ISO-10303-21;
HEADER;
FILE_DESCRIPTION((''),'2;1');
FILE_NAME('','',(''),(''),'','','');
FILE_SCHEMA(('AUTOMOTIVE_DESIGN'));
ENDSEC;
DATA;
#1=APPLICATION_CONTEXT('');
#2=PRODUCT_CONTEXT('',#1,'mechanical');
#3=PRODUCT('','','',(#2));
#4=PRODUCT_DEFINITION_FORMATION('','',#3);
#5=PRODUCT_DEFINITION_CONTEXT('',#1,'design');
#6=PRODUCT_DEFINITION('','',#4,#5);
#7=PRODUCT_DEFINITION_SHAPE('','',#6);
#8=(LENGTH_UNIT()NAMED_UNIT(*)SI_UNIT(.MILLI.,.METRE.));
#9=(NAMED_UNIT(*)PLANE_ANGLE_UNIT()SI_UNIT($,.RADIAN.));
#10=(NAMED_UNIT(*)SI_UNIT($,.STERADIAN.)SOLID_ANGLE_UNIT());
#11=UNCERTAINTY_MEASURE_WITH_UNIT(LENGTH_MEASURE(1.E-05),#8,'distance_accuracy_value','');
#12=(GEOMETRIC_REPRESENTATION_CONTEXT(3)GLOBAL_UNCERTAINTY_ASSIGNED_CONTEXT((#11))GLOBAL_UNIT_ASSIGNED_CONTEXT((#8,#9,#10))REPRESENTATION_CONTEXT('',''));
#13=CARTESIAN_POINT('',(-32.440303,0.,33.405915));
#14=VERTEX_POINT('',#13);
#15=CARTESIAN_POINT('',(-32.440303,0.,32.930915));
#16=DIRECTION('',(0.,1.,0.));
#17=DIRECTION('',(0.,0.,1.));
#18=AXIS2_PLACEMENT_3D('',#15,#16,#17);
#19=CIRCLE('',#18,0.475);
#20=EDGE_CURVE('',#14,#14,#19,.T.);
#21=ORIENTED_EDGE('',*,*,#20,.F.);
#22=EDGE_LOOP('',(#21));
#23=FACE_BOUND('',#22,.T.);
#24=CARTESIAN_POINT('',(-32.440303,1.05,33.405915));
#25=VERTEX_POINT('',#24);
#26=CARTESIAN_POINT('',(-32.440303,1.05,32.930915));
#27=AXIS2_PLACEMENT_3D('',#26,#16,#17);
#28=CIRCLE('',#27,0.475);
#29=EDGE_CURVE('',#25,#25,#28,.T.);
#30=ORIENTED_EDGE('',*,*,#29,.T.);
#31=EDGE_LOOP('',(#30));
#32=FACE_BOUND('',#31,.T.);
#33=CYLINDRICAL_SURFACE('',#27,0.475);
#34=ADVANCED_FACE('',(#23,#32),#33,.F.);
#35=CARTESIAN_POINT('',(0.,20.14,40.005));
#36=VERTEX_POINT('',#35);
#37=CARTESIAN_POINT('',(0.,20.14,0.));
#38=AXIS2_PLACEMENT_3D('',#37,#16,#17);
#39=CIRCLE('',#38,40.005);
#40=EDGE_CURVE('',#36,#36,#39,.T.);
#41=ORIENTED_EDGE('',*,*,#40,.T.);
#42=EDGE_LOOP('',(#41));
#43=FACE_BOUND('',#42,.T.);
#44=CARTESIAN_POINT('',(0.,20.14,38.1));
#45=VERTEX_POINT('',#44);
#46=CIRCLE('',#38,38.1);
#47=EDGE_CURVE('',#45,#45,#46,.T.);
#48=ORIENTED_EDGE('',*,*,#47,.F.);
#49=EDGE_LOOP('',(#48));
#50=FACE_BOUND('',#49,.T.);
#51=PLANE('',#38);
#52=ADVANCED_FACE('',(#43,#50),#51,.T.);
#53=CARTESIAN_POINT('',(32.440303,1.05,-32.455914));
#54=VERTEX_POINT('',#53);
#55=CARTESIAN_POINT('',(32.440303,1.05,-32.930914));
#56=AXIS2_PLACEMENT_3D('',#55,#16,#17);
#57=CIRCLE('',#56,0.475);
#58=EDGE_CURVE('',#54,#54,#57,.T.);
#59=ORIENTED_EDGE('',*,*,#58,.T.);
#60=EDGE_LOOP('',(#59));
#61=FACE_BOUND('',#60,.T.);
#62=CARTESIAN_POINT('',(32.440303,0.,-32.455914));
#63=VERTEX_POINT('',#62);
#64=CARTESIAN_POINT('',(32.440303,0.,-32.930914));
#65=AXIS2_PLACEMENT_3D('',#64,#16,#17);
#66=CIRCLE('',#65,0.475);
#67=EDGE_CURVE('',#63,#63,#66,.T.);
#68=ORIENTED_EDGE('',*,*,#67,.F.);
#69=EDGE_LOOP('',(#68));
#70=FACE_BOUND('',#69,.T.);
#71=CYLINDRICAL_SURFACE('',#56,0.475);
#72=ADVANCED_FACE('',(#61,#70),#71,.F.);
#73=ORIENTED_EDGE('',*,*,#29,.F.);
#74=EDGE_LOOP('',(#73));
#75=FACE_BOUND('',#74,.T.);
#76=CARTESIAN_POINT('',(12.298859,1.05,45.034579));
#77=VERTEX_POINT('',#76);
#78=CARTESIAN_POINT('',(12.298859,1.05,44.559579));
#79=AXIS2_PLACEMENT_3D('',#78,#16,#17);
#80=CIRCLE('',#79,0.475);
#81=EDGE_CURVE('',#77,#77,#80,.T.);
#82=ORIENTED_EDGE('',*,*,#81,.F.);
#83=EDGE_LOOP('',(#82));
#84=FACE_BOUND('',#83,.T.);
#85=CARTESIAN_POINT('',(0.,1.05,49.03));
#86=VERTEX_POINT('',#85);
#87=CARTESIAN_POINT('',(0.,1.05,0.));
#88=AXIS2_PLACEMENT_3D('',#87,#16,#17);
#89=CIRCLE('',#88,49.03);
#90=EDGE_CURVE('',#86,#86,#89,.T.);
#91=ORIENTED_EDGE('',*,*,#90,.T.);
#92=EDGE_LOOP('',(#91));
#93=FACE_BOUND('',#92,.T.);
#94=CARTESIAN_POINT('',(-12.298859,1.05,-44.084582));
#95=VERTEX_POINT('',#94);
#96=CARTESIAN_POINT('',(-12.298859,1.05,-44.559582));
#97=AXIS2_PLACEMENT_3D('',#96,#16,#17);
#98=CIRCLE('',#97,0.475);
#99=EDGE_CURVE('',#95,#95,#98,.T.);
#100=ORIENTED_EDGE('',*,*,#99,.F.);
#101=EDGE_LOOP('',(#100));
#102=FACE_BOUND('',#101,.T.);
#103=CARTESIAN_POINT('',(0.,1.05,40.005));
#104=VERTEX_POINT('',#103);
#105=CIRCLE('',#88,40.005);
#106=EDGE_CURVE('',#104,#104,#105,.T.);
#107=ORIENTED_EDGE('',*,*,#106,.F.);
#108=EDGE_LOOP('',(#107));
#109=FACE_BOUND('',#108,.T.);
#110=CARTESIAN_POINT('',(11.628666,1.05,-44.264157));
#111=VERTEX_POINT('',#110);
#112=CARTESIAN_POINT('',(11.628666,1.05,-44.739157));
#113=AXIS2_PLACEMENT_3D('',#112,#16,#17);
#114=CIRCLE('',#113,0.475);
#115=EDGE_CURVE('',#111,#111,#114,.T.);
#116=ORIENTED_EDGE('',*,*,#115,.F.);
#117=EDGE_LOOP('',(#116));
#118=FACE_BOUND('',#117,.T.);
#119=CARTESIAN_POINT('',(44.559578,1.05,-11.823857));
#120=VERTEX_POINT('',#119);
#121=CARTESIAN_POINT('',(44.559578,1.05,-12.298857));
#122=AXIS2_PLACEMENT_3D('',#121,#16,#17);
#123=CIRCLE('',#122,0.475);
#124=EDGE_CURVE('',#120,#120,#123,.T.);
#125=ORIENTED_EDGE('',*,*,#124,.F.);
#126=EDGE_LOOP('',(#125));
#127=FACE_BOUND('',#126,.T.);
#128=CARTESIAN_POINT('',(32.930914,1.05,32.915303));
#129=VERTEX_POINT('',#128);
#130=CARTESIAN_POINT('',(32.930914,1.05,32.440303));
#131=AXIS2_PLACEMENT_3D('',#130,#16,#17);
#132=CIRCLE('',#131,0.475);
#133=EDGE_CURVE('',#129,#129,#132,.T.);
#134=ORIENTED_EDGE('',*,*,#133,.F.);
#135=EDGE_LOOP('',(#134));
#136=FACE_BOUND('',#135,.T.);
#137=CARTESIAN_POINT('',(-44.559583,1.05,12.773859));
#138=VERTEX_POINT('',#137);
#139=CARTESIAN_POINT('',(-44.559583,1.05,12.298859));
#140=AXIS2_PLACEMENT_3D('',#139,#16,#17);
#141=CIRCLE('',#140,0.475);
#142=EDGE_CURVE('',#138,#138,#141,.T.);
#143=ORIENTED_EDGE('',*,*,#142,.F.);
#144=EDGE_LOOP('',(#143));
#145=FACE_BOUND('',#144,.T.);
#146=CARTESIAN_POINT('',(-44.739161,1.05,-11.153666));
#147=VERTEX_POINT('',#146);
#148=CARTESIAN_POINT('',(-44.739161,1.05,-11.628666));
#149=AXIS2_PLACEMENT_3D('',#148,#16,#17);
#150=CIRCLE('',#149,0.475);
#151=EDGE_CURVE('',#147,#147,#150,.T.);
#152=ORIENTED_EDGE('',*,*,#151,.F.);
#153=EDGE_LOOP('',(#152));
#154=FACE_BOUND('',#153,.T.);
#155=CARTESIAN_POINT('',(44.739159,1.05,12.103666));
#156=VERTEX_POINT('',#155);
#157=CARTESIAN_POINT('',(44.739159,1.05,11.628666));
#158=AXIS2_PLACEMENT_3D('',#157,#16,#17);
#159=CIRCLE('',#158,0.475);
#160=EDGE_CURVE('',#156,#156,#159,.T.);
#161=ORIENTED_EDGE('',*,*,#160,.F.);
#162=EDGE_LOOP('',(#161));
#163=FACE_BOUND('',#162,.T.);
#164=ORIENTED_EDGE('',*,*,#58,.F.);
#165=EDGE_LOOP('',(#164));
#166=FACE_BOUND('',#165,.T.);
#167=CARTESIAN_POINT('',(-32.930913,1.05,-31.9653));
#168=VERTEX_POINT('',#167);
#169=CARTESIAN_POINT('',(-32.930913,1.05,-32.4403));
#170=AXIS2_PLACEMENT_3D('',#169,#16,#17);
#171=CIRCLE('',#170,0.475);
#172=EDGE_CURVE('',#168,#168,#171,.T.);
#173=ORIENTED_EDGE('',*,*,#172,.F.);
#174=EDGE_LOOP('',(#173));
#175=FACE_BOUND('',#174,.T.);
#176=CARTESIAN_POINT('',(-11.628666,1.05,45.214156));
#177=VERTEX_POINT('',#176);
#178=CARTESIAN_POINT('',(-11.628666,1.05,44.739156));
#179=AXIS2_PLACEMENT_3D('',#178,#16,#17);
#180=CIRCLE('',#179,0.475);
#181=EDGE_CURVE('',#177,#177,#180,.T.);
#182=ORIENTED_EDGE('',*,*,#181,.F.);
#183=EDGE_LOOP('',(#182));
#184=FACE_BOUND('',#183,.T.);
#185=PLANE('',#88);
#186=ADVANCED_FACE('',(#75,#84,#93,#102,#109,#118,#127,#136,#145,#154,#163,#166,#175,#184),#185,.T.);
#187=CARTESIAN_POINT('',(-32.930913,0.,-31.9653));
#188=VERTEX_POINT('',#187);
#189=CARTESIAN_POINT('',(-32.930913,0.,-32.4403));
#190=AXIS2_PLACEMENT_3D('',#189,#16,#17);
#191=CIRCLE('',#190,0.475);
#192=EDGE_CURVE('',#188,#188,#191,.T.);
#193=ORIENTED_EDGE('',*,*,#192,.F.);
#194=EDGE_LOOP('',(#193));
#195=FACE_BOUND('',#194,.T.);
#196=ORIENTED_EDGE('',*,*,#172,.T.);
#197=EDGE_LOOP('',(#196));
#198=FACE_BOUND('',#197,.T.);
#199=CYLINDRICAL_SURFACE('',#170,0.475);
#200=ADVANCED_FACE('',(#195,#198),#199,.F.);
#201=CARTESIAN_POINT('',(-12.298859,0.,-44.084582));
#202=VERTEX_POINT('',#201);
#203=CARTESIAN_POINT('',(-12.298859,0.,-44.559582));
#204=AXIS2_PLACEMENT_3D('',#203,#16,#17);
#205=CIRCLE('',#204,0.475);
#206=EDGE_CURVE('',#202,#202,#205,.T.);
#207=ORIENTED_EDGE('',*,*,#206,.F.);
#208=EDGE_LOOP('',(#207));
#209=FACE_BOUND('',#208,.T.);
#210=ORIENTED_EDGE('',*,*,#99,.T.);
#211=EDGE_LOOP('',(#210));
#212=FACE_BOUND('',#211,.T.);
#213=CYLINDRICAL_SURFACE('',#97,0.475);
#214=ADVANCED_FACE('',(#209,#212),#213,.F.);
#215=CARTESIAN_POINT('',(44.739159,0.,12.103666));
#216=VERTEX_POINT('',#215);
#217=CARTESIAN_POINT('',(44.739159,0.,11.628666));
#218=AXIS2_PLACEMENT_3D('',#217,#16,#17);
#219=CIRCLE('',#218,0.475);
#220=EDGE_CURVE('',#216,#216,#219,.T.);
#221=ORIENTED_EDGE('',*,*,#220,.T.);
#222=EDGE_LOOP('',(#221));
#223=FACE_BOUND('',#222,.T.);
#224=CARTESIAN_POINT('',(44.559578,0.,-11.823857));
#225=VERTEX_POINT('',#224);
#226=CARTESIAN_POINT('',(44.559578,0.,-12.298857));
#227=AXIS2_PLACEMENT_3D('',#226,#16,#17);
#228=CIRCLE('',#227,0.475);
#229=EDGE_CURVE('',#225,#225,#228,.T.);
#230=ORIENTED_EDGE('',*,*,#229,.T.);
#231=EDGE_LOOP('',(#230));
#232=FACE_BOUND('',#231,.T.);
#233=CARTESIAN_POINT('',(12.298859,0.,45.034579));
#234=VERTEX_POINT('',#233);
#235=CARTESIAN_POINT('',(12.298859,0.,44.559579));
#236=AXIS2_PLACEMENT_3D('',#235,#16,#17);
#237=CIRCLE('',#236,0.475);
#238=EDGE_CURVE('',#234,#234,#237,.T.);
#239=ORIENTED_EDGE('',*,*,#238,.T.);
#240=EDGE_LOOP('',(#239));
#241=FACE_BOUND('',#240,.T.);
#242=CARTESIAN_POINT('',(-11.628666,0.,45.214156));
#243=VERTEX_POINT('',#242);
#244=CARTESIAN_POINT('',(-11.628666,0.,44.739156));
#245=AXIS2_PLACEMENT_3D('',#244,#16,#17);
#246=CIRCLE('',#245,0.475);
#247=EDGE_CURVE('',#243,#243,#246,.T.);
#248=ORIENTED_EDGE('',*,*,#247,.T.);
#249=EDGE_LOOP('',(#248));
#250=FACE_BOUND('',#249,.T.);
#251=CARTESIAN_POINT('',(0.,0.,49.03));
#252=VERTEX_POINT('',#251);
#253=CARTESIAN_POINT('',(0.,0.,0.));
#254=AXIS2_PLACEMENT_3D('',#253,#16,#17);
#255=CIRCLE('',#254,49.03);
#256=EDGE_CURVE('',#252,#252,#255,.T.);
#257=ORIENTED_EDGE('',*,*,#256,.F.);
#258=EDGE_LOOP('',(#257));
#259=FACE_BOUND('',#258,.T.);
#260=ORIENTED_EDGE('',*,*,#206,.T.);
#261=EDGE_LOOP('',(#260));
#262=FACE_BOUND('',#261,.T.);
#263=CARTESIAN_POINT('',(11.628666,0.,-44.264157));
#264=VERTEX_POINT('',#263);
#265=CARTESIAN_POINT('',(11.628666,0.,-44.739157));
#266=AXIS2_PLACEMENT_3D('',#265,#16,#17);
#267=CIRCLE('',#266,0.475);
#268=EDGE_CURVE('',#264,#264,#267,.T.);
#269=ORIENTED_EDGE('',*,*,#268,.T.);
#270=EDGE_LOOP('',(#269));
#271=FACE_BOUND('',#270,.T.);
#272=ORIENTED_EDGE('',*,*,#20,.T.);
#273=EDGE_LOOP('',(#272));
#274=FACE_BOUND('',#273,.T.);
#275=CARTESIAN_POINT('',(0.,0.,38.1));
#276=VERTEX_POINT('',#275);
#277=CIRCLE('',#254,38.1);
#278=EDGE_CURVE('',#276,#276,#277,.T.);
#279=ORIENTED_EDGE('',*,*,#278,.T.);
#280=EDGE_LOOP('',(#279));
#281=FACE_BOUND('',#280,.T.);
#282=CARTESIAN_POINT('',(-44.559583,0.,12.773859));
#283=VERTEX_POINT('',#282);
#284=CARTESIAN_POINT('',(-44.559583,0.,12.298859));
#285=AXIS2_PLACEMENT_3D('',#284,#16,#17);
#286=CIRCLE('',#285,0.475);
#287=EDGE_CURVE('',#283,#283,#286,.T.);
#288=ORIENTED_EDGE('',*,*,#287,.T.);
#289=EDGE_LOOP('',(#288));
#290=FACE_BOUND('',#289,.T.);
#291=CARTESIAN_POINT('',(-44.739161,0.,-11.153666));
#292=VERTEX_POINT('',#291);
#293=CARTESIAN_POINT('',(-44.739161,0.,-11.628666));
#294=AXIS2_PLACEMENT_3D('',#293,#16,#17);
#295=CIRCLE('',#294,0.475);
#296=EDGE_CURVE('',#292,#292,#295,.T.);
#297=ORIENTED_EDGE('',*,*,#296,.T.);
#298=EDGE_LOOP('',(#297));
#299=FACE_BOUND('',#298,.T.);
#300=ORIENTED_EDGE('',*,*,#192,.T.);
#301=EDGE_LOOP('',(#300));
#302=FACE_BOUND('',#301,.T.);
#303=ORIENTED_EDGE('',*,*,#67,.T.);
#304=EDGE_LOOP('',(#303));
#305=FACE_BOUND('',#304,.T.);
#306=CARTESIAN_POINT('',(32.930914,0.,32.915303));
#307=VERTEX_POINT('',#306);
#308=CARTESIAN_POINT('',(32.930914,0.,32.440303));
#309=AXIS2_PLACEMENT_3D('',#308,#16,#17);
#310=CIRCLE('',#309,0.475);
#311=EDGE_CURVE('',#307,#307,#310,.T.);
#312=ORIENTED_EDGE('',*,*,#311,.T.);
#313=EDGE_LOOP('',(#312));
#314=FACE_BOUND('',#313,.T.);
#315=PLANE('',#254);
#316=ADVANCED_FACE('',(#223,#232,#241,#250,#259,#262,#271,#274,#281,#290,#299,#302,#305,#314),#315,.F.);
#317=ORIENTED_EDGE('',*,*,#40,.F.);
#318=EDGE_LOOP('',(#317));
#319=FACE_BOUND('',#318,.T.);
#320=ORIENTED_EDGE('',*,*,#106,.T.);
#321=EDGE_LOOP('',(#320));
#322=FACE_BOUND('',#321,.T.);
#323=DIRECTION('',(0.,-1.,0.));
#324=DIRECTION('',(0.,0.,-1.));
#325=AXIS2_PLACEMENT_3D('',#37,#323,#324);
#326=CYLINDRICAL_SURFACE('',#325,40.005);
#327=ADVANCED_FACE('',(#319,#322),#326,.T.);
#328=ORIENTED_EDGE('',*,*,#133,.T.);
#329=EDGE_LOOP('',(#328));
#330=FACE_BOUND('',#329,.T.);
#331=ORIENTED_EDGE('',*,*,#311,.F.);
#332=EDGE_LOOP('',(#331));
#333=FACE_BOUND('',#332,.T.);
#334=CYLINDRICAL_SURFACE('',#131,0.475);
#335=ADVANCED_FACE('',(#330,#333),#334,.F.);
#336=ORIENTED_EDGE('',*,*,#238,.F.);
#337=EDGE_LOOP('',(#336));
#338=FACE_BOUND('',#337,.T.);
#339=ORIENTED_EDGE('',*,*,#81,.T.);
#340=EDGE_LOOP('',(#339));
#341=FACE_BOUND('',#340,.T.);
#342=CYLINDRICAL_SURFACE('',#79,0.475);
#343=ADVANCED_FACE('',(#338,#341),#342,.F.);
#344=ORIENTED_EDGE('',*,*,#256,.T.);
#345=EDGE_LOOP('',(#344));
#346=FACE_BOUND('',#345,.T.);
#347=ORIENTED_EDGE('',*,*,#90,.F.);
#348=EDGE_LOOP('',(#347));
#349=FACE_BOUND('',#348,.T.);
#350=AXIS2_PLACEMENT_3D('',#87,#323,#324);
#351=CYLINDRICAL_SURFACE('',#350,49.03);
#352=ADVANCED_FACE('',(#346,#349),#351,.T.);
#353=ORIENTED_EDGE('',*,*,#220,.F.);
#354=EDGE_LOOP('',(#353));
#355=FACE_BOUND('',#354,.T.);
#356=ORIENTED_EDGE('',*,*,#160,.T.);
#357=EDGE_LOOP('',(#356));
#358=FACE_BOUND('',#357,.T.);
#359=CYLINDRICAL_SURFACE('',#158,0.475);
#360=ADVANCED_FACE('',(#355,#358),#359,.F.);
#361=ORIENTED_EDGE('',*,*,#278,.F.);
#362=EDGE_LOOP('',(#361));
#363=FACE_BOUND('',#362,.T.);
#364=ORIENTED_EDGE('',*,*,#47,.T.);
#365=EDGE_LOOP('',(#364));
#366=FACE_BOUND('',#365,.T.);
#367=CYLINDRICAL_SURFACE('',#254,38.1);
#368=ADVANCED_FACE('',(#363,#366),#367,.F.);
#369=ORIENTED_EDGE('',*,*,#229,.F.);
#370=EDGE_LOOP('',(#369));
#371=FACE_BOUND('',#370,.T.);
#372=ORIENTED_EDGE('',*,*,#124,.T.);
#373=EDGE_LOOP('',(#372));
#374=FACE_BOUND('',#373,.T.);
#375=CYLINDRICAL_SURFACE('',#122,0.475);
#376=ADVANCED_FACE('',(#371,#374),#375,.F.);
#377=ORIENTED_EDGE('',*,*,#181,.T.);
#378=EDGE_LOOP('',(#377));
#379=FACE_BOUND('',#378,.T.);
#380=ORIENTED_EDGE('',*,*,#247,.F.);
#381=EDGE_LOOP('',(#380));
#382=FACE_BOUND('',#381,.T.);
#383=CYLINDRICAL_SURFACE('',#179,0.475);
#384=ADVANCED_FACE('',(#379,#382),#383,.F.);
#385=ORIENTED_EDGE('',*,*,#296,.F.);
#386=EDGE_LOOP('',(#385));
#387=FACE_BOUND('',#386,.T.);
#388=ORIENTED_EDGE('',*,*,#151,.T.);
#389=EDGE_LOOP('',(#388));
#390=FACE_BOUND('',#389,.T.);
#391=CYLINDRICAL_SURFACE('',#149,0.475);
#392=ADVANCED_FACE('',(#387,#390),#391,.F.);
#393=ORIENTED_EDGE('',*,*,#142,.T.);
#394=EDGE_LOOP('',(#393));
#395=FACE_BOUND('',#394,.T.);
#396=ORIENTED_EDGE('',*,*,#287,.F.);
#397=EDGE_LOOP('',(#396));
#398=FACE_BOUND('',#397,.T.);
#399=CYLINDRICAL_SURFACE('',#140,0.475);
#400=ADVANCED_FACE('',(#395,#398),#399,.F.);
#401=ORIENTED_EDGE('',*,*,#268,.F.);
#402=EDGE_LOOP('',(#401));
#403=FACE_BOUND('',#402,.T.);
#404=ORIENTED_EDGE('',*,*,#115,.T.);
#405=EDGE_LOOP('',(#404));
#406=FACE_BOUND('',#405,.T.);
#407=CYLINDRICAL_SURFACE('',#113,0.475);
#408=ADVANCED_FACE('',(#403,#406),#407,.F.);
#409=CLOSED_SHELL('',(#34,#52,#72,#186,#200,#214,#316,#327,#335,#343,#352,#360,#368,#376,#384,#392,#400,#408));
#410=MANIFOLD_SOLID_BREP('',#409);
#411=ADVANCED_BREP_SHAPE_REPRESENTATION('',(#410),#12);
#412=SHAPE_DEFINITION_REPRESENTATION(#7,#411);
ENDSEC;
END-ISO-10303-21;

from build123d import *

# Parameters (mm, degrees)
SKETCH3_R                = 40.005
BOSS_EXTRUDE1_DEPTH      = 20.14
SKETCH4_R                = 38.1
CUT_EXTRUDE1_DEPTH       = 20.14
SKETCH2_R                = 49.03
BOSS_EXTRUDE2_DEPTH      = 1.05
SKETCH6_R                = 38.1
CUT_EXTRUDE2_DEPTH       = 1.05
M1_2X0_25_TAPPED_HOLE2_D = 0.95


with BuildPart() as part:
    # Sketch3 → Boss-Extrude1 (new body)
    with BuildSketch(Plane(origin=(0, 0, 0), x_dir=(1, 0, 0), z_dir=(0, 1, 0))):
        Circle(SKETCH3_R)
    extrude(amount=BOSS_EXTRUDE1_DEPTH)

    # Sketch4 → Cut-Extrude1 (cut)
    with BuildSketch(Plane(origin=(0, 20.14, 0), x_dir=(1, 0, 0), z_dir=(0, 1, 0))):
        Circle(SKETCH4_R)
    extrude(amount=-CUT_EXTRUDE1_DEPTH, mode=Mode.SUBTRACT)

    # Sketch2 → Boss-Extrude2 (add)
    with BuildSketch(Plane(origin=(0, 0, 0), x_dir=(1, 0, 0), z_dir=(0, 1, 0))):
        Circle(SKETCH2_R)
    extrude(amount=BOSS_EXTRUDE2_DEPTH)

    # Sketch6 → Cut-Extrude2 (cut)
    with BuildSketch(Plane(origin=(0, 1.05, 0), x_dir=(1, 0, 0), z_dir=(0, 1, 0))):
        Circle(SKETCH6_R)
    extrude(amount=-CUT_EXTRUDE2_DEPTH, mode=Mode.SUBTRACT)

    # M1.2x0.25 Tapped Hole2 (through all)
    with Locations(Plane(origin=(-12.298859085, 1.05, -44.559581921), x_dir=(0, 0, 1), z_dir=(0, 1, 0))):
        with Locations((0, 0), (-0.179575061, 23.927525232), (11.62866746, 44.739161663), (32.260724597, 56.858437128), (56.188247767, 57.038018412), (76.999884487, 45.229773054), (89.119161163, 24.597717695), (89.298738325, 0.670192913), (77.49049699, -20.141443547), (56.858440891, -32.260723471), (32.930915763, -32.440301841), (12.119282142, -20.63205416)):
            Hole(M1_2X0_25_TAPPED_HOLE2_D / 2)


solid = part.part
